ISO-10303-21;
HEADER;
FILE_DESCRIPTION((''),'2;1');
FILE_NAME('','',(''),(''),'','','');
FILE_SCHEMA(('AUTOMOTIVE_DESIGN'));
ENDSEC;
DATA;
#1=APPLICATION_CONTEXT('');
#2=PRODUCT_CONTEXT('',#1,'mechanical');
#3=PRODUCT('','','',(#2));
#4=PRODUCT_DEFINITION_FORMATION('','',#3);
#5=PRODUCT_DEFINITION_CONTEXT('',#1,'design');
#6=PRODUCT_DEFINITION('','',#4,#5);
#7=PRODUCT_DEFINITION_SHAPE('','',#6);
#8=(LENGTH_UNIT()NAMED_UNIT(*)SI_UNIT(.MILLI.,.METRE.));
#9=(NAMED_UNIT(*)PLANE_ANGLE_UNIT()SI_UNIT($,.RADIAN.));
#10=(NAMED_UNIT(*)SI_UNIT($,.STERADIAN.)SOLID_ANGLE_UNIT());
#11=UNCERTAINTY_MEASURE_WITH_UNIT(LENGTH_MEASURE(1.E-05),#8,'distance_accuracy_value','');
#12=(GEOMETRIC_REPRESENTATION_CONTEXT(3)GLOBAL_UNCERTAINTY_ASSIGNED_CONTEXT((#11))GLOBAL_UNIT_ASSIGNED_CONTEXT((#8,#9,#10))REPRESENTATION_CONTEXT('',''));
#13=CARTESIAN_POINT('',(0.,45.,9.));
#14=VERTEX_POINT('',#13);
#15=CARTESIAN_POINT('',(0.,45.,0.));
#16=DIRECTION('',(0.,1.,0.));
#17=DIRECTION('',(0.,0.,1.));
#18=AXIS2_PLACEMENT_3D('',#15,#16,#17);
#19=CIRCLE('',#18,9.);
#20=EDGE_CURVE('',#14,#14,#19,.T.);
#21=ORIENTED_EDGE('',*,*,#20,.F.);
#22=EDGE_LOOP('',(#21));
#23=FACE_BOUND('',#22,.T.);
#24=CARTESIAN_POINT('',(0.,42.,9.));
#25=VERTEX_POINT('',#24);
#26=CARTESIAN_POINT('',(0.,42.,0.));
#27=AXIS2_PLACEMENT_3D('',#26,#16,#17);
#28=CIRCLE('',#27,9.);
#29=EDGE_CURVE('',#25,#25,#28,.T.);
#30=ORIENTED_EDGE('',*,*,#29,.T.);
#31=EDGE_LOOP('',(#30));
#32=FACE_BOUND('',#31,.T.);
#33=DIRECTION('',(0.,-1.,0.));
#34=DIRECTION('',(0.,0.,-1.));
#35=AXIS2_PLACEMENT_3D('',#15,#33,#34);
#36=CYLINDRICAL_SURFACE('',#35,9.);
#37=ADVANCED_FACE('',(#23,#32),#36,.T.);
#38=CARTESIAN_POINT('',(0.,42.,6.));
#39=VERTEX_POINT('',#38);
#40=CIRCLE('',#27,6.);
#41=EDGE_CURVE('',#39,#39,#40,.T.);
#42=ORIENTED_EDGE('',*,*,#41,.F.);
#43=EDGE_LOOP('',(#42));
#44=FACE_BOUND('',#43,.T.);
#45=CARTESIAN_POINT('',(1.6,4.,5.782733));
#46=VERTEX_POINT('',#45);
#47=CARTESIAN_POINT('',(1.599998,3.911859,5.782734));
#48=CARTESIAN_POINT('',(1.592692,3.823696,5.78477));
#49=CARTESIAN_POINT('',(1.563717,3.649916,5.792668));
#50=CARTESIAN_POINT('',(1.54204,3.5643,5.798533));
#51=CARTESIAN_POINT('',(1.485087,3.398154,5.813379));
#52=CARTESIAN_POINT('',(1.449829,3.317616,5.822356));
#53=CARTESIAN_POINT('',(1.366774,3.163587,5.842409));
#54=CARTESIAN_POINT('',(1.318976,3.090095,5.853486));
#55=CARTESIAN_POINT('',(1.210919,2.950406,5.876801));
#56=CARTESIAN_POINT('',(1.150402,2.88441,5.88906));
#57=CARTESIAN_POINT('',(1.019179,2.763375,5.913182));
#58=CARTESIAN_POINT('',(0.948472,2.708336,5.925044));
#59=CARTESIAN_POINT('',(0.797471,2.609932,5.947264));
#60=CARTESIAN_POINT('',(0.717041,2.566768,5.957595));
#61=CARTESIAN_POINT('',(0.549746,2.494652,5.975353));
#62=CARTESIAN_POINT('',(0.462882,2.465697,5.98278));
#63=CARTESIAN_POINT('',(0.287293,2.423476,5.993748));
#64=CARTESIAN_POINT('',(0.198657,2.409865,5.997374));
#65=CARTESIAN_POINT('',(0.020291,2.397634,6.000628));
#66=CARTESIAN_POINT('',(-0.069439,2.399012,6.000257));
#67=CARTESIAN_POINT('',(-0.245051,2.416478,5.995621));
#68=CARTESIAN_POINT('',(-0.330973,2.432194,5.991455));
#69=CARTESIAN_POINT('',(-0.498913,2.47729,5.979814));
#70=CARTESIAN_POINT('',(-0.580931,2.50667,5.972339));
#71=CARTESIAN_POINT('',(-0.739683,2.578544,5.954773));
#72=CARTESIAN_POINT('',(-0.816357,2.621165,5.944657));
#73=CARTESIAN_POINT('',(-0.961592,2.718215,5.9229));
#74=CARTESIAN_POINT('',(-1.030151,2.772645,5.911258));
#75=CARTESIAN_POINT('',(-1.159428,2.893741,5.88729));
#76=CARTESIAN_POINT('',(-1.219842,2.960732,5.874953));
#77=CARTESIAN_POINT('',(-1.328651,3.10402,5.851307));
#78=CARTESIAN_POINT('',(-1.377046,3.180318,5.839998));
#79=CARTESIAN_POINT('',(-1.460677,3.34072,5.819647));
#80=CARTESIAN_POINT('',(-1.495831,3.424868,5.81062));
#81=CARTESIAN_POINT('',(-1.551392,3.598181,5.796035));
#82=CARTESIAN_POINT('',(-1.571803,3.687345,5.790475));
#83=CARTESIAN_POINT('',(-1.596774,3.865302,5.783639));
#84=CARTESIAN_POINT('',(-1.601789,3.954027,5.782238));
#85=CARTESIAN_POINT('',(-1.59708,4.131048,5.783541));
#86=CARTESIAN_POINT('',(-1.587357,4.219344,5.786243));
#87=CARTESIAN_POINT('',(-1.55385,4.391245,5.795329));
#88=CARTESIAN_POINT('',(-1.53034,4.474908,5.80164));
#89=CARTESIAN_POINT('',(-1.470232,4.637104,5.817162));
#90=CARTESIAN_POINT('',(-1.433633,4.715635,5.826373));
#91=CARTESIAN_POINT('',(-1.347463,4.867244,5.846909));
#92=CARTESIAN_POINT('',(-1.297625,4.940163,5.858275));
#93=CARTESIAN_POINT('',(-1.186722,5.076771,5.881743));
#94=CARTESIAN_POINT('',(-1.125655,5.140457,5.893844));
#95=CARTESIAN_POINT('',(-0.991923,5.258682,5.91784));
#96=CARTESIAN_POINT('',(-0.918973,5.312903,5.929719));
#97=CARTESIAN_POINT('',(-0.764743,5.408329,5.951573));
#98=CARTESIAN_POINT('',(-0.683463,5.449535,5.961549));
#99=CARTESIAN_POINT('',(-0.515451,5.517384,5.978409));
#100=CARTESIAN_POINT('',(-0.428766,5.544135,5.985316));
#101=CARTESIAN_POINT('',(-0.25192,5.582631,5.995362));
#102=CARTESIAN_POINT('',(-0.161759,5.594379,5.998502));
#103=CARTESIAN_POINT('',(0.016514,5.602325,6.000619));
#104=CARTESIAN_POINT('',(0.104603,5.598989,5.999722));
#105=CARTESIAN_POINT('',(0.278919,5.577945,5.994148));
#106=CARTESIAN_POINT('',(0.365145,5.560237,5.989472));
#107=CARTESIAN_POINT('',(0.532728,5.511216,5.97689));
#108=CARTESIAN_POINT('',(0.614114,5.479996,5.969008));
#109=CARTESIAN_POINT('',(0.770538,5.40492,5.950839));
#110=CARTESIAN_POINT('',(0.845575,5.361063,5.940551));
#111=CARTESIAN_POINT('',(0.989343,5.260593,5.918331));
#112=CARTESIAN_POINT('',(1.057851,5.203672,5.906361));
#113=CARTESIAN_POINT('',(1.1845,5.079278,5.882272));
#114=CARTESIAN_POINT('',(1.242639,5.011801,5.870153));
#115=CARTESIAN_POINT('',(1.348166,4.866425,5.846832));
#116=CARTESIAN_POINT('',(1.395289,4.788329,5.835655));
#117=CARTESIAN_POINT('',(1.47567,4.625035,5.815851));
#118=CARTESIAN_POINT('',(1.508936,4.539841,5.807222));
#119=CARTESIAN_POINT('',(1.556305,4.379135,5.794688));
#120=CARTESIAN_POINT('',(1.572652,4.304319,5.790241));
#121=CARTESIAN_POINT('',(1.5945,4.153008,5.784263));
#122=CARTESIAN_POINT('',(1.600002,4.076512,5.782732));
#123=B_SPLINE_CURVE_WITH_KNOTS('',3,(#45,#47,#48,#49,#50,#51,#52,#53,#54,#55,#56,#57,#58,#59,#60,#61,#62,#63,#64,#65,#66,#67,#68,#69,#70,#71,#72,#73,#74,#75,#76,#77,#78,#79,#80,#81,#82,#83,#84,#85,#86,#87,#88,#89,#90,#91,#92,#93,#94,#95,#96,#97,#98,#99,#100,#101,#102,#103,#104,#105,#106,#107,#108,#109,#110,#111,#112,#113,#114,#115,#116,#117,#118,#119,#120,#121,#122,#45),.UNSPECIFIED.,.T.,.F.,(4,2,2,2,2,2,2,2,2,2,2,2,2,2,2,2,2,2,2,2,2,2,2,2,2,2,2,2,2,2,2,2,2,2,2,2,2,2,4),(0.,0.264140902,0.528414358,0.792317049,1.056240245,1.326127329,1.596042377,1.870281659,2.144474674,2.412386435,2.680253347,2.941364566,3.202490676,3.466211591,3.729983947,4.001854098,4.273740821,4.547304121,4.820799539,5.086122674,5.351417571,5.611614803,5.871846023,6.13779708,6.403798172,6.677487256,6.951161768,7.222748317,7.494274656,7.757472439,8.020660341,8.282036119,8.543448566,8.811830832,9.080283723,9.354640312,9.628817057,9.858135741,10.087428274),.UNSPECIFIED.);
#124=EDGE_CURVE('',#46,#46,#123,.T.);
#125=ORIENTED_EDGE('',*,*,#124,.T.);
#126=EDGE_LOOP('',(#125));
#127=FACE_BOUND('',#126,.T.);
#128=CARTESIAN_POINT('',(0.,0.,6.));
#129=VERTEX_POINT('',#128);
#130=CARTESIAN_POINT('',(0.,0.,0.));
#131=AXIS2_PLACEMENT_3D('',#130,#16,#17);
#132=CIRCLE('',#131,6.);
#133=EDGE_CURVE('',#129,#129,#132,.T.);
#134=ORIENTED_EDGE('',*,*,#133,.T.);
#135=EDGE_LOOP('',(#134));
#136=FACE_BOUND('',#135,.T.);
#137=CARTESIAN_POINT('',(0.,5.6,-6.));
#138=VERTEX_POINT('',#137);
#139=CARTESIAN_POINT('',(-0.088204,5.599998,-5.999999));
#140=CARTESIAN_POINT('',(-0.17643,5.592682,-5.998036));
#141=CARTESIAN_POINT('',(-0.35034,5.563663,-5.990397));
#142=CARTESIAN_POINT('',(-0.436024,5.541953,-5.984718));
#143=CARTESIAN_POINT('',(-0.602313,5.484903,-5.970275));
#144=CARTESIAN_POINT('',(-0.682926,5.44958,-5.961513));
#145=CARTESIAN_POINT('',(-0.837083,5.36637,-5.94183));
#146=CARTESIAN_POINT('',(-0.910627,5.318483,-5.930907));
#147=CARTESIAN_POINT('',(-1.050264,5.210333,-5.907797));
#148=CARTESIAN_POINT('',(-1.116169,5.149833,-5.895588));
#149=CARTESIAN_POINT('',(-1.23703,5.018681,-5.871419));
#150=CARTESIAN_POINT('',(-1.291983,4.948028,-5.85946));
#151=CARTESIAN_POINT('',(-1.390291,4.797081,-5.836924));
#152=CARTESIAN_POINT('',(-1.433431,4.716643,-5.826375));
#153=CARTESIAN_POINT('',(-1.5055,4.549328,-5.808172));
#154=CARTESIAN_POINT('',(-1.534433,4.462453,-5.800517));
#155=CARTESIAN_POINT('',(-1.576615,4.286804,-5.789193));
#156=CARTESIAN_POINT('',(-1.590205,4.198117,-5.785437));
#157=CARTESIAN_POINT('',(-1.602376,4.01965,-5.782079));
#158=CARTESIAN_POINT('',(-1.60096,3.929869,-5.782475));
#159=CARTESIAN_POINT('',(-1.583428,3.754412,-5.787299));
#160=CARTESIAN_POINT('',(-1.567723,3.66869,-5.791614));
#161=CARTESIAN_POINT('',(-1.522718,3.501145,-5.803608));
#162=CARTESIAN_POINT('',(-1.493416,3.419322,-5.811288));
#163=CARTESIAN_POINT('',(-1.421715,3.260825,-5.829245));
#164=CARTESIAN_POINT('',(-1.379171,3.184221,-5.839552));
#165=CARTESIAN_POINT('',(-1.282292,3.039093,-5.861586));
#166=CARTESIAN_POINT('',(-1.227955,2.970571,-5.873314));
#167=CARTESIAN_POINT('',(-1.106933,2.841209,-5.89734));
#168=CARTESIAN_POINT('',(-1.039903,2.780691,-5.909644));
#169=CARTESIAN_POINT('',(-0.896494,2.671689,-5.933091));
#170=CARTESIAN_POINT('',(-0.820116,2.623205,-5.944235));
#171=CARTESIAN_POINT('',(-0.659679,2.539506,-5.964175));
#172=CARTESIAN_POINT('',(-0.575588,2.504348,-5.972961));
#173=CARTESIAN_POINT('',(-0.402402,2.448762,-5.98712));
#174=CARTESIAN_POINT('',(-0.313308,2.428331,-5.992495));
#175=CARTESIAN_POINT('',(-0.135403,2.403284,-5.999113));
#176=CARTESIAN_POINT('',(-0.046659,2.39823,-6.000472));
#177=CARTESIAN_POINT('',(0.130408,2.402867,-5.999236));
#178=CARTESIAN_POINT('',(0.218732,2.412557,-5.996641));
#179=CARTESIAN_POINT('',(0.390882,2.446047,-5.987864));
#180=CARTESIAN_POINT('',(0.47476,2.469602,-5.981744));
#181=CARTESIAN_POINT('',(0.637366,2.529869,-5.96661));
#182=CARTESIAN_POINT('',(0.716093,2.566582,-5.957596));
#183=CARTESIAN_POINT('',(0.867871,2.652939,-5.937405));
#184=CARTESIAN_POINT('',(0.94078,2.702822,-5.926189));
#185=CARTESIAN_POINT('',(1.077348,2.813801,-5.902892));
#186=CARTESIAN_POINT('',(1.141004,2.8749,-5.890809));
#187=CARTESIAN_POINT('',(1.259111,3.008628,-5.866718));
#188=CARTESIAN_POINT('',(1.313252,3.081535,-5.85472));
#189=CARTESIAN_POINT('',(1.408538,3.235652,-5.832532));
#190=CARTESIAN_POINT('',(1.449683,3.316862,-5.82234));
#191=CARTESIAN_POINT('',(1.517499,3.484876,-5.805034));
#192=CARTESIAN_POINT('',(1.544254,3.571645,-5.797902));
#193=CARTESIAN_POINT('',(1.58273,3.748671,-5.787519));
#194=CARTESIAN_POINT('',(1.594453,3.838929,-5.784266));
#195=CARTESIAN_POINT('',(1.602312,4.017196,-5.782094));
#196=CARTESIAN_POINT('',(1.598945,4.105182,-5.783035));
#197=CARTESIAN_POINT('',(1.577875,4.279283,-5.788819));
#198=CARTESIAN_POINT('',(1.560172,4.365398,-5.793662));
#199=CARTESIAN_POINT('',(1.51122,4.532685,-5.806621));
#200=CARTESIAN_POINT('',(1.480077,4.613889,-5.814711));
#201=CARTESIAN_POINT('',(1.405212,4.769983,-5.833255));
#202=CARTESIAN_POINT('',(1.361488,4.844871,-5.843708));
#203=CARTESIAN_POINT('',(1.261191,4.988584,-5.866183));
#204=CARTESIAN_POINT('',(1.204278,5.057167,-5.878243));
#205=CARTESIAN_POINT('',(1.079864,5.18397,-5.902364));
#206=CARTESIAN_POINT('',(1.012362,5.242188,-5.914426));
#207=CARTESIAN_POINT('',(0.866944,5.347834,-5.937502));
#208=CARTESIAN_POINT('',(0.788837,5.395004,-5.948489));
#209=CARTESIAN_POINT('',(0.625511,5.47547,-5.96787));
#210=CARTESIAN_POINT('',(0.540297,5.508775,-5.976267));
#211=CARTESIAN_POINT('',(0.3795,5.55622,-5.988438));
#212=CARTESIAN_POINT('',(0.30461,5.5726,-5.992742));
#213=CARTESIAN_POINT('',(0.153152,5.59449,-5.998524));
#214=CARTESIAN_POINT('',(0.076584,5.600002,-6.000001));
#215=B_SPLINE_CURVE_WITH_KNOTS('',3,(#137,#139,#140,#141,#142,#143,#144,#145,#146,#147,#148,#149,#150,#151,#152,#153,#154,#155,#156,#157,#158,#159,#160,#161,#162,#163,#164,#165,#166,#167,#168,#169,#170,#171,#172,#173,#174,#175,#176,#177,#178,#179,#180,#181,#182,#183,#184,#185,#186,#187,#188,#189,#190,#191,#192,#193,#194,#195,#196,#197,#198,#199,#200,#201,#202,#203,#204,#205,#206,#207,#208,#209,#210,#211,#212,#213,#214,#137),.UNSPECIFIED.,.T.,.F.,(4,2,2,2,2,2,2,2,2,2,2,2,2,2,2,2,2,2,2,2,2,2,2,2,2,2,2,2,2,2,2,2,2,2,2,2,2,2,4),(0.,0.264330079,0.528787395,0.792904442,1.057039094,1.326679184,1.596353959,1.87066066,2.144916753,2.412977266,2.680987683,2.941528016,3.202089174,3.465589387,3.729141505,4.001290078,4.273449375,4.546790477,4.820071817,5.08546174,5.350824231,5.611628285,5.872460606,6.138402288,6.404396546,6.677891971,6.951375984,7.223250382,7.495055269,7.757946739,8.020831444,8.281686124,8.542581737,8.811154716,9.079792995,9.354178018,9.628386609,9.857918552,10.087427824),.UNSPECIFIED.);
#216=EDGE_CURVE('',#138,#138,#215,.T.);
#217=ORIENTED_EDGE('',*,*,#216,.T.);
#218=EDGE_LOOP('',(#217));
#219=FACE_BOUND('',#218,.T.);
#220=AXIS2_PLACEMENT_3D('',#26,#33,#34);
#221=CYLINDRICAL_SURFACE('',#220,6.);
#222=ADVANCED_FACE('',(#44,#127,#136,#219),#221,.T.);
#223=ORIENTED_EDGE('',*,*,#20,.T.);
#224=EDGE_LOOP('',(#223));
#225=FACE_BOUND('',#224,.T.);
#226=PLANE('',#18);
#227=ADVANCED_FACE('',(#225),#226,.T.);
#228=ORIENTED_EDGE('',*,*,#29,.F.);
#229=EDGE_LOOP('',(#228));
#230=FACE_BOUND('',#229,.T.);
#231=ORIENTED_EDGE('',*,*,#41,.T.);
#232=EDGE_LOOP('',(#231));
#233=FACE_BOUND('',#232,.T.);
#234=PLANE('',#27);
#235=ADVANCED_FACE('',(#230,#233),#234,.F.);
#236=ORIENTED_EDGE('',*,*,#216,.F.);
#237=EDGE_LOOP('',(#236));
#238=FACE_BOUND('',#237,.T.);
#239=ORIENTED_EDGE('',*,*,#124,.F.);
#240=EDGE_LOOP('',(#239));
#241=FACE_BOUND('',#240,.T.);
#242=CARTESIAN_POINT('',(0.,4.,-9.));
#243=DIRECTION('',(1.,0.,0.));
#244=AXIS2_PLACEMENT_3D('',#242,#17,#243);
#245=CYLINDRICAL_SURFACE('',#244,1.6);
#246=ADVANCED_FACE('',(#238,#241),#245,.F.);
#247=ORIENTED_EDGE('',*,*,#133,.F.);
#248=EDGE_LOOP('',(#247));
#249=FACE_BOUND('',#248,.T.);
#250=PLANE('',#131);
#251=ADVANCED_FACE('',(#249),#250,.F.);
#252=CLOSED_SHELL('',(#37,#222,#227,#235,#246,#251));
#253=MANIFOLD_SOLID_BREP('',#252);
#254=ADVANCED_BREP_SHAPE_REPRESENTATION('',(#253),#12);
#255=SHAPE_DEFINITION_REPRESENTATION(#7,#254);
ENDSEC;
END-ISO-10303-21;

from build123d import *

# Parameters (mm, degrees)
SKETCH1_R               = 6
BOSS_EXTRUDE1_DEPTH     = 42
SKETCH2_R               = 9
BOSS_EXTRUDE2_DEPTH     = 3
CUT_EXTRUDE1_DEPTH      = 47.765371804
CUT_EXTRUDE1_DEPTH_BACK = 47.765371804
SKETCH3_R               = 1.6


with BuildPart() as part:
    # Sketch1 → Boss-Extrude1 (new body)
    with BuildSketch(Plane(origin=(0, 0, 0), x_dir=(1, 0, 0), z_dir=(0, 1, 0))):
        with Locations(Location((0, 0, 0), (0, 0, 90))):
            Circle(SKETCH1_R)
    extrude(amount=BOSS_EXTRUDE1_DEPTH)

    # Sketch2 → Boss-Extrude2 (add)
    with BuildSketch(Plane(origin=(0, 42, 0), x_dir=(1, 0, 0), z_dir=(0, 1, 0))):
        with Locations(Location((0, 0, 0), (0, 0, 270))):
            Circle(SKETCH2_R)
    extrude(amount=BOSS_EXTRUDE2_DEPTH)

    # Sketch3 → Cut-Extrude1 (cut, two sides: drawn at the far end of the back side and taken through both)
    with BuildSketch(Plane.XY.offset(-CUT_EXTRUDE1_DEPTH_BACK)):
        with Locations(Location((0, 4, 0), (0, 0, 89.999999978))):
            Circle(SKETCH3_R)
    extrude(amount=CUT_EXTRUDE1_DEPTH + CUT_EXTRUDE1_DEPTH_BACK, mode=Mode.SUBTRACT)


solid = part.part
